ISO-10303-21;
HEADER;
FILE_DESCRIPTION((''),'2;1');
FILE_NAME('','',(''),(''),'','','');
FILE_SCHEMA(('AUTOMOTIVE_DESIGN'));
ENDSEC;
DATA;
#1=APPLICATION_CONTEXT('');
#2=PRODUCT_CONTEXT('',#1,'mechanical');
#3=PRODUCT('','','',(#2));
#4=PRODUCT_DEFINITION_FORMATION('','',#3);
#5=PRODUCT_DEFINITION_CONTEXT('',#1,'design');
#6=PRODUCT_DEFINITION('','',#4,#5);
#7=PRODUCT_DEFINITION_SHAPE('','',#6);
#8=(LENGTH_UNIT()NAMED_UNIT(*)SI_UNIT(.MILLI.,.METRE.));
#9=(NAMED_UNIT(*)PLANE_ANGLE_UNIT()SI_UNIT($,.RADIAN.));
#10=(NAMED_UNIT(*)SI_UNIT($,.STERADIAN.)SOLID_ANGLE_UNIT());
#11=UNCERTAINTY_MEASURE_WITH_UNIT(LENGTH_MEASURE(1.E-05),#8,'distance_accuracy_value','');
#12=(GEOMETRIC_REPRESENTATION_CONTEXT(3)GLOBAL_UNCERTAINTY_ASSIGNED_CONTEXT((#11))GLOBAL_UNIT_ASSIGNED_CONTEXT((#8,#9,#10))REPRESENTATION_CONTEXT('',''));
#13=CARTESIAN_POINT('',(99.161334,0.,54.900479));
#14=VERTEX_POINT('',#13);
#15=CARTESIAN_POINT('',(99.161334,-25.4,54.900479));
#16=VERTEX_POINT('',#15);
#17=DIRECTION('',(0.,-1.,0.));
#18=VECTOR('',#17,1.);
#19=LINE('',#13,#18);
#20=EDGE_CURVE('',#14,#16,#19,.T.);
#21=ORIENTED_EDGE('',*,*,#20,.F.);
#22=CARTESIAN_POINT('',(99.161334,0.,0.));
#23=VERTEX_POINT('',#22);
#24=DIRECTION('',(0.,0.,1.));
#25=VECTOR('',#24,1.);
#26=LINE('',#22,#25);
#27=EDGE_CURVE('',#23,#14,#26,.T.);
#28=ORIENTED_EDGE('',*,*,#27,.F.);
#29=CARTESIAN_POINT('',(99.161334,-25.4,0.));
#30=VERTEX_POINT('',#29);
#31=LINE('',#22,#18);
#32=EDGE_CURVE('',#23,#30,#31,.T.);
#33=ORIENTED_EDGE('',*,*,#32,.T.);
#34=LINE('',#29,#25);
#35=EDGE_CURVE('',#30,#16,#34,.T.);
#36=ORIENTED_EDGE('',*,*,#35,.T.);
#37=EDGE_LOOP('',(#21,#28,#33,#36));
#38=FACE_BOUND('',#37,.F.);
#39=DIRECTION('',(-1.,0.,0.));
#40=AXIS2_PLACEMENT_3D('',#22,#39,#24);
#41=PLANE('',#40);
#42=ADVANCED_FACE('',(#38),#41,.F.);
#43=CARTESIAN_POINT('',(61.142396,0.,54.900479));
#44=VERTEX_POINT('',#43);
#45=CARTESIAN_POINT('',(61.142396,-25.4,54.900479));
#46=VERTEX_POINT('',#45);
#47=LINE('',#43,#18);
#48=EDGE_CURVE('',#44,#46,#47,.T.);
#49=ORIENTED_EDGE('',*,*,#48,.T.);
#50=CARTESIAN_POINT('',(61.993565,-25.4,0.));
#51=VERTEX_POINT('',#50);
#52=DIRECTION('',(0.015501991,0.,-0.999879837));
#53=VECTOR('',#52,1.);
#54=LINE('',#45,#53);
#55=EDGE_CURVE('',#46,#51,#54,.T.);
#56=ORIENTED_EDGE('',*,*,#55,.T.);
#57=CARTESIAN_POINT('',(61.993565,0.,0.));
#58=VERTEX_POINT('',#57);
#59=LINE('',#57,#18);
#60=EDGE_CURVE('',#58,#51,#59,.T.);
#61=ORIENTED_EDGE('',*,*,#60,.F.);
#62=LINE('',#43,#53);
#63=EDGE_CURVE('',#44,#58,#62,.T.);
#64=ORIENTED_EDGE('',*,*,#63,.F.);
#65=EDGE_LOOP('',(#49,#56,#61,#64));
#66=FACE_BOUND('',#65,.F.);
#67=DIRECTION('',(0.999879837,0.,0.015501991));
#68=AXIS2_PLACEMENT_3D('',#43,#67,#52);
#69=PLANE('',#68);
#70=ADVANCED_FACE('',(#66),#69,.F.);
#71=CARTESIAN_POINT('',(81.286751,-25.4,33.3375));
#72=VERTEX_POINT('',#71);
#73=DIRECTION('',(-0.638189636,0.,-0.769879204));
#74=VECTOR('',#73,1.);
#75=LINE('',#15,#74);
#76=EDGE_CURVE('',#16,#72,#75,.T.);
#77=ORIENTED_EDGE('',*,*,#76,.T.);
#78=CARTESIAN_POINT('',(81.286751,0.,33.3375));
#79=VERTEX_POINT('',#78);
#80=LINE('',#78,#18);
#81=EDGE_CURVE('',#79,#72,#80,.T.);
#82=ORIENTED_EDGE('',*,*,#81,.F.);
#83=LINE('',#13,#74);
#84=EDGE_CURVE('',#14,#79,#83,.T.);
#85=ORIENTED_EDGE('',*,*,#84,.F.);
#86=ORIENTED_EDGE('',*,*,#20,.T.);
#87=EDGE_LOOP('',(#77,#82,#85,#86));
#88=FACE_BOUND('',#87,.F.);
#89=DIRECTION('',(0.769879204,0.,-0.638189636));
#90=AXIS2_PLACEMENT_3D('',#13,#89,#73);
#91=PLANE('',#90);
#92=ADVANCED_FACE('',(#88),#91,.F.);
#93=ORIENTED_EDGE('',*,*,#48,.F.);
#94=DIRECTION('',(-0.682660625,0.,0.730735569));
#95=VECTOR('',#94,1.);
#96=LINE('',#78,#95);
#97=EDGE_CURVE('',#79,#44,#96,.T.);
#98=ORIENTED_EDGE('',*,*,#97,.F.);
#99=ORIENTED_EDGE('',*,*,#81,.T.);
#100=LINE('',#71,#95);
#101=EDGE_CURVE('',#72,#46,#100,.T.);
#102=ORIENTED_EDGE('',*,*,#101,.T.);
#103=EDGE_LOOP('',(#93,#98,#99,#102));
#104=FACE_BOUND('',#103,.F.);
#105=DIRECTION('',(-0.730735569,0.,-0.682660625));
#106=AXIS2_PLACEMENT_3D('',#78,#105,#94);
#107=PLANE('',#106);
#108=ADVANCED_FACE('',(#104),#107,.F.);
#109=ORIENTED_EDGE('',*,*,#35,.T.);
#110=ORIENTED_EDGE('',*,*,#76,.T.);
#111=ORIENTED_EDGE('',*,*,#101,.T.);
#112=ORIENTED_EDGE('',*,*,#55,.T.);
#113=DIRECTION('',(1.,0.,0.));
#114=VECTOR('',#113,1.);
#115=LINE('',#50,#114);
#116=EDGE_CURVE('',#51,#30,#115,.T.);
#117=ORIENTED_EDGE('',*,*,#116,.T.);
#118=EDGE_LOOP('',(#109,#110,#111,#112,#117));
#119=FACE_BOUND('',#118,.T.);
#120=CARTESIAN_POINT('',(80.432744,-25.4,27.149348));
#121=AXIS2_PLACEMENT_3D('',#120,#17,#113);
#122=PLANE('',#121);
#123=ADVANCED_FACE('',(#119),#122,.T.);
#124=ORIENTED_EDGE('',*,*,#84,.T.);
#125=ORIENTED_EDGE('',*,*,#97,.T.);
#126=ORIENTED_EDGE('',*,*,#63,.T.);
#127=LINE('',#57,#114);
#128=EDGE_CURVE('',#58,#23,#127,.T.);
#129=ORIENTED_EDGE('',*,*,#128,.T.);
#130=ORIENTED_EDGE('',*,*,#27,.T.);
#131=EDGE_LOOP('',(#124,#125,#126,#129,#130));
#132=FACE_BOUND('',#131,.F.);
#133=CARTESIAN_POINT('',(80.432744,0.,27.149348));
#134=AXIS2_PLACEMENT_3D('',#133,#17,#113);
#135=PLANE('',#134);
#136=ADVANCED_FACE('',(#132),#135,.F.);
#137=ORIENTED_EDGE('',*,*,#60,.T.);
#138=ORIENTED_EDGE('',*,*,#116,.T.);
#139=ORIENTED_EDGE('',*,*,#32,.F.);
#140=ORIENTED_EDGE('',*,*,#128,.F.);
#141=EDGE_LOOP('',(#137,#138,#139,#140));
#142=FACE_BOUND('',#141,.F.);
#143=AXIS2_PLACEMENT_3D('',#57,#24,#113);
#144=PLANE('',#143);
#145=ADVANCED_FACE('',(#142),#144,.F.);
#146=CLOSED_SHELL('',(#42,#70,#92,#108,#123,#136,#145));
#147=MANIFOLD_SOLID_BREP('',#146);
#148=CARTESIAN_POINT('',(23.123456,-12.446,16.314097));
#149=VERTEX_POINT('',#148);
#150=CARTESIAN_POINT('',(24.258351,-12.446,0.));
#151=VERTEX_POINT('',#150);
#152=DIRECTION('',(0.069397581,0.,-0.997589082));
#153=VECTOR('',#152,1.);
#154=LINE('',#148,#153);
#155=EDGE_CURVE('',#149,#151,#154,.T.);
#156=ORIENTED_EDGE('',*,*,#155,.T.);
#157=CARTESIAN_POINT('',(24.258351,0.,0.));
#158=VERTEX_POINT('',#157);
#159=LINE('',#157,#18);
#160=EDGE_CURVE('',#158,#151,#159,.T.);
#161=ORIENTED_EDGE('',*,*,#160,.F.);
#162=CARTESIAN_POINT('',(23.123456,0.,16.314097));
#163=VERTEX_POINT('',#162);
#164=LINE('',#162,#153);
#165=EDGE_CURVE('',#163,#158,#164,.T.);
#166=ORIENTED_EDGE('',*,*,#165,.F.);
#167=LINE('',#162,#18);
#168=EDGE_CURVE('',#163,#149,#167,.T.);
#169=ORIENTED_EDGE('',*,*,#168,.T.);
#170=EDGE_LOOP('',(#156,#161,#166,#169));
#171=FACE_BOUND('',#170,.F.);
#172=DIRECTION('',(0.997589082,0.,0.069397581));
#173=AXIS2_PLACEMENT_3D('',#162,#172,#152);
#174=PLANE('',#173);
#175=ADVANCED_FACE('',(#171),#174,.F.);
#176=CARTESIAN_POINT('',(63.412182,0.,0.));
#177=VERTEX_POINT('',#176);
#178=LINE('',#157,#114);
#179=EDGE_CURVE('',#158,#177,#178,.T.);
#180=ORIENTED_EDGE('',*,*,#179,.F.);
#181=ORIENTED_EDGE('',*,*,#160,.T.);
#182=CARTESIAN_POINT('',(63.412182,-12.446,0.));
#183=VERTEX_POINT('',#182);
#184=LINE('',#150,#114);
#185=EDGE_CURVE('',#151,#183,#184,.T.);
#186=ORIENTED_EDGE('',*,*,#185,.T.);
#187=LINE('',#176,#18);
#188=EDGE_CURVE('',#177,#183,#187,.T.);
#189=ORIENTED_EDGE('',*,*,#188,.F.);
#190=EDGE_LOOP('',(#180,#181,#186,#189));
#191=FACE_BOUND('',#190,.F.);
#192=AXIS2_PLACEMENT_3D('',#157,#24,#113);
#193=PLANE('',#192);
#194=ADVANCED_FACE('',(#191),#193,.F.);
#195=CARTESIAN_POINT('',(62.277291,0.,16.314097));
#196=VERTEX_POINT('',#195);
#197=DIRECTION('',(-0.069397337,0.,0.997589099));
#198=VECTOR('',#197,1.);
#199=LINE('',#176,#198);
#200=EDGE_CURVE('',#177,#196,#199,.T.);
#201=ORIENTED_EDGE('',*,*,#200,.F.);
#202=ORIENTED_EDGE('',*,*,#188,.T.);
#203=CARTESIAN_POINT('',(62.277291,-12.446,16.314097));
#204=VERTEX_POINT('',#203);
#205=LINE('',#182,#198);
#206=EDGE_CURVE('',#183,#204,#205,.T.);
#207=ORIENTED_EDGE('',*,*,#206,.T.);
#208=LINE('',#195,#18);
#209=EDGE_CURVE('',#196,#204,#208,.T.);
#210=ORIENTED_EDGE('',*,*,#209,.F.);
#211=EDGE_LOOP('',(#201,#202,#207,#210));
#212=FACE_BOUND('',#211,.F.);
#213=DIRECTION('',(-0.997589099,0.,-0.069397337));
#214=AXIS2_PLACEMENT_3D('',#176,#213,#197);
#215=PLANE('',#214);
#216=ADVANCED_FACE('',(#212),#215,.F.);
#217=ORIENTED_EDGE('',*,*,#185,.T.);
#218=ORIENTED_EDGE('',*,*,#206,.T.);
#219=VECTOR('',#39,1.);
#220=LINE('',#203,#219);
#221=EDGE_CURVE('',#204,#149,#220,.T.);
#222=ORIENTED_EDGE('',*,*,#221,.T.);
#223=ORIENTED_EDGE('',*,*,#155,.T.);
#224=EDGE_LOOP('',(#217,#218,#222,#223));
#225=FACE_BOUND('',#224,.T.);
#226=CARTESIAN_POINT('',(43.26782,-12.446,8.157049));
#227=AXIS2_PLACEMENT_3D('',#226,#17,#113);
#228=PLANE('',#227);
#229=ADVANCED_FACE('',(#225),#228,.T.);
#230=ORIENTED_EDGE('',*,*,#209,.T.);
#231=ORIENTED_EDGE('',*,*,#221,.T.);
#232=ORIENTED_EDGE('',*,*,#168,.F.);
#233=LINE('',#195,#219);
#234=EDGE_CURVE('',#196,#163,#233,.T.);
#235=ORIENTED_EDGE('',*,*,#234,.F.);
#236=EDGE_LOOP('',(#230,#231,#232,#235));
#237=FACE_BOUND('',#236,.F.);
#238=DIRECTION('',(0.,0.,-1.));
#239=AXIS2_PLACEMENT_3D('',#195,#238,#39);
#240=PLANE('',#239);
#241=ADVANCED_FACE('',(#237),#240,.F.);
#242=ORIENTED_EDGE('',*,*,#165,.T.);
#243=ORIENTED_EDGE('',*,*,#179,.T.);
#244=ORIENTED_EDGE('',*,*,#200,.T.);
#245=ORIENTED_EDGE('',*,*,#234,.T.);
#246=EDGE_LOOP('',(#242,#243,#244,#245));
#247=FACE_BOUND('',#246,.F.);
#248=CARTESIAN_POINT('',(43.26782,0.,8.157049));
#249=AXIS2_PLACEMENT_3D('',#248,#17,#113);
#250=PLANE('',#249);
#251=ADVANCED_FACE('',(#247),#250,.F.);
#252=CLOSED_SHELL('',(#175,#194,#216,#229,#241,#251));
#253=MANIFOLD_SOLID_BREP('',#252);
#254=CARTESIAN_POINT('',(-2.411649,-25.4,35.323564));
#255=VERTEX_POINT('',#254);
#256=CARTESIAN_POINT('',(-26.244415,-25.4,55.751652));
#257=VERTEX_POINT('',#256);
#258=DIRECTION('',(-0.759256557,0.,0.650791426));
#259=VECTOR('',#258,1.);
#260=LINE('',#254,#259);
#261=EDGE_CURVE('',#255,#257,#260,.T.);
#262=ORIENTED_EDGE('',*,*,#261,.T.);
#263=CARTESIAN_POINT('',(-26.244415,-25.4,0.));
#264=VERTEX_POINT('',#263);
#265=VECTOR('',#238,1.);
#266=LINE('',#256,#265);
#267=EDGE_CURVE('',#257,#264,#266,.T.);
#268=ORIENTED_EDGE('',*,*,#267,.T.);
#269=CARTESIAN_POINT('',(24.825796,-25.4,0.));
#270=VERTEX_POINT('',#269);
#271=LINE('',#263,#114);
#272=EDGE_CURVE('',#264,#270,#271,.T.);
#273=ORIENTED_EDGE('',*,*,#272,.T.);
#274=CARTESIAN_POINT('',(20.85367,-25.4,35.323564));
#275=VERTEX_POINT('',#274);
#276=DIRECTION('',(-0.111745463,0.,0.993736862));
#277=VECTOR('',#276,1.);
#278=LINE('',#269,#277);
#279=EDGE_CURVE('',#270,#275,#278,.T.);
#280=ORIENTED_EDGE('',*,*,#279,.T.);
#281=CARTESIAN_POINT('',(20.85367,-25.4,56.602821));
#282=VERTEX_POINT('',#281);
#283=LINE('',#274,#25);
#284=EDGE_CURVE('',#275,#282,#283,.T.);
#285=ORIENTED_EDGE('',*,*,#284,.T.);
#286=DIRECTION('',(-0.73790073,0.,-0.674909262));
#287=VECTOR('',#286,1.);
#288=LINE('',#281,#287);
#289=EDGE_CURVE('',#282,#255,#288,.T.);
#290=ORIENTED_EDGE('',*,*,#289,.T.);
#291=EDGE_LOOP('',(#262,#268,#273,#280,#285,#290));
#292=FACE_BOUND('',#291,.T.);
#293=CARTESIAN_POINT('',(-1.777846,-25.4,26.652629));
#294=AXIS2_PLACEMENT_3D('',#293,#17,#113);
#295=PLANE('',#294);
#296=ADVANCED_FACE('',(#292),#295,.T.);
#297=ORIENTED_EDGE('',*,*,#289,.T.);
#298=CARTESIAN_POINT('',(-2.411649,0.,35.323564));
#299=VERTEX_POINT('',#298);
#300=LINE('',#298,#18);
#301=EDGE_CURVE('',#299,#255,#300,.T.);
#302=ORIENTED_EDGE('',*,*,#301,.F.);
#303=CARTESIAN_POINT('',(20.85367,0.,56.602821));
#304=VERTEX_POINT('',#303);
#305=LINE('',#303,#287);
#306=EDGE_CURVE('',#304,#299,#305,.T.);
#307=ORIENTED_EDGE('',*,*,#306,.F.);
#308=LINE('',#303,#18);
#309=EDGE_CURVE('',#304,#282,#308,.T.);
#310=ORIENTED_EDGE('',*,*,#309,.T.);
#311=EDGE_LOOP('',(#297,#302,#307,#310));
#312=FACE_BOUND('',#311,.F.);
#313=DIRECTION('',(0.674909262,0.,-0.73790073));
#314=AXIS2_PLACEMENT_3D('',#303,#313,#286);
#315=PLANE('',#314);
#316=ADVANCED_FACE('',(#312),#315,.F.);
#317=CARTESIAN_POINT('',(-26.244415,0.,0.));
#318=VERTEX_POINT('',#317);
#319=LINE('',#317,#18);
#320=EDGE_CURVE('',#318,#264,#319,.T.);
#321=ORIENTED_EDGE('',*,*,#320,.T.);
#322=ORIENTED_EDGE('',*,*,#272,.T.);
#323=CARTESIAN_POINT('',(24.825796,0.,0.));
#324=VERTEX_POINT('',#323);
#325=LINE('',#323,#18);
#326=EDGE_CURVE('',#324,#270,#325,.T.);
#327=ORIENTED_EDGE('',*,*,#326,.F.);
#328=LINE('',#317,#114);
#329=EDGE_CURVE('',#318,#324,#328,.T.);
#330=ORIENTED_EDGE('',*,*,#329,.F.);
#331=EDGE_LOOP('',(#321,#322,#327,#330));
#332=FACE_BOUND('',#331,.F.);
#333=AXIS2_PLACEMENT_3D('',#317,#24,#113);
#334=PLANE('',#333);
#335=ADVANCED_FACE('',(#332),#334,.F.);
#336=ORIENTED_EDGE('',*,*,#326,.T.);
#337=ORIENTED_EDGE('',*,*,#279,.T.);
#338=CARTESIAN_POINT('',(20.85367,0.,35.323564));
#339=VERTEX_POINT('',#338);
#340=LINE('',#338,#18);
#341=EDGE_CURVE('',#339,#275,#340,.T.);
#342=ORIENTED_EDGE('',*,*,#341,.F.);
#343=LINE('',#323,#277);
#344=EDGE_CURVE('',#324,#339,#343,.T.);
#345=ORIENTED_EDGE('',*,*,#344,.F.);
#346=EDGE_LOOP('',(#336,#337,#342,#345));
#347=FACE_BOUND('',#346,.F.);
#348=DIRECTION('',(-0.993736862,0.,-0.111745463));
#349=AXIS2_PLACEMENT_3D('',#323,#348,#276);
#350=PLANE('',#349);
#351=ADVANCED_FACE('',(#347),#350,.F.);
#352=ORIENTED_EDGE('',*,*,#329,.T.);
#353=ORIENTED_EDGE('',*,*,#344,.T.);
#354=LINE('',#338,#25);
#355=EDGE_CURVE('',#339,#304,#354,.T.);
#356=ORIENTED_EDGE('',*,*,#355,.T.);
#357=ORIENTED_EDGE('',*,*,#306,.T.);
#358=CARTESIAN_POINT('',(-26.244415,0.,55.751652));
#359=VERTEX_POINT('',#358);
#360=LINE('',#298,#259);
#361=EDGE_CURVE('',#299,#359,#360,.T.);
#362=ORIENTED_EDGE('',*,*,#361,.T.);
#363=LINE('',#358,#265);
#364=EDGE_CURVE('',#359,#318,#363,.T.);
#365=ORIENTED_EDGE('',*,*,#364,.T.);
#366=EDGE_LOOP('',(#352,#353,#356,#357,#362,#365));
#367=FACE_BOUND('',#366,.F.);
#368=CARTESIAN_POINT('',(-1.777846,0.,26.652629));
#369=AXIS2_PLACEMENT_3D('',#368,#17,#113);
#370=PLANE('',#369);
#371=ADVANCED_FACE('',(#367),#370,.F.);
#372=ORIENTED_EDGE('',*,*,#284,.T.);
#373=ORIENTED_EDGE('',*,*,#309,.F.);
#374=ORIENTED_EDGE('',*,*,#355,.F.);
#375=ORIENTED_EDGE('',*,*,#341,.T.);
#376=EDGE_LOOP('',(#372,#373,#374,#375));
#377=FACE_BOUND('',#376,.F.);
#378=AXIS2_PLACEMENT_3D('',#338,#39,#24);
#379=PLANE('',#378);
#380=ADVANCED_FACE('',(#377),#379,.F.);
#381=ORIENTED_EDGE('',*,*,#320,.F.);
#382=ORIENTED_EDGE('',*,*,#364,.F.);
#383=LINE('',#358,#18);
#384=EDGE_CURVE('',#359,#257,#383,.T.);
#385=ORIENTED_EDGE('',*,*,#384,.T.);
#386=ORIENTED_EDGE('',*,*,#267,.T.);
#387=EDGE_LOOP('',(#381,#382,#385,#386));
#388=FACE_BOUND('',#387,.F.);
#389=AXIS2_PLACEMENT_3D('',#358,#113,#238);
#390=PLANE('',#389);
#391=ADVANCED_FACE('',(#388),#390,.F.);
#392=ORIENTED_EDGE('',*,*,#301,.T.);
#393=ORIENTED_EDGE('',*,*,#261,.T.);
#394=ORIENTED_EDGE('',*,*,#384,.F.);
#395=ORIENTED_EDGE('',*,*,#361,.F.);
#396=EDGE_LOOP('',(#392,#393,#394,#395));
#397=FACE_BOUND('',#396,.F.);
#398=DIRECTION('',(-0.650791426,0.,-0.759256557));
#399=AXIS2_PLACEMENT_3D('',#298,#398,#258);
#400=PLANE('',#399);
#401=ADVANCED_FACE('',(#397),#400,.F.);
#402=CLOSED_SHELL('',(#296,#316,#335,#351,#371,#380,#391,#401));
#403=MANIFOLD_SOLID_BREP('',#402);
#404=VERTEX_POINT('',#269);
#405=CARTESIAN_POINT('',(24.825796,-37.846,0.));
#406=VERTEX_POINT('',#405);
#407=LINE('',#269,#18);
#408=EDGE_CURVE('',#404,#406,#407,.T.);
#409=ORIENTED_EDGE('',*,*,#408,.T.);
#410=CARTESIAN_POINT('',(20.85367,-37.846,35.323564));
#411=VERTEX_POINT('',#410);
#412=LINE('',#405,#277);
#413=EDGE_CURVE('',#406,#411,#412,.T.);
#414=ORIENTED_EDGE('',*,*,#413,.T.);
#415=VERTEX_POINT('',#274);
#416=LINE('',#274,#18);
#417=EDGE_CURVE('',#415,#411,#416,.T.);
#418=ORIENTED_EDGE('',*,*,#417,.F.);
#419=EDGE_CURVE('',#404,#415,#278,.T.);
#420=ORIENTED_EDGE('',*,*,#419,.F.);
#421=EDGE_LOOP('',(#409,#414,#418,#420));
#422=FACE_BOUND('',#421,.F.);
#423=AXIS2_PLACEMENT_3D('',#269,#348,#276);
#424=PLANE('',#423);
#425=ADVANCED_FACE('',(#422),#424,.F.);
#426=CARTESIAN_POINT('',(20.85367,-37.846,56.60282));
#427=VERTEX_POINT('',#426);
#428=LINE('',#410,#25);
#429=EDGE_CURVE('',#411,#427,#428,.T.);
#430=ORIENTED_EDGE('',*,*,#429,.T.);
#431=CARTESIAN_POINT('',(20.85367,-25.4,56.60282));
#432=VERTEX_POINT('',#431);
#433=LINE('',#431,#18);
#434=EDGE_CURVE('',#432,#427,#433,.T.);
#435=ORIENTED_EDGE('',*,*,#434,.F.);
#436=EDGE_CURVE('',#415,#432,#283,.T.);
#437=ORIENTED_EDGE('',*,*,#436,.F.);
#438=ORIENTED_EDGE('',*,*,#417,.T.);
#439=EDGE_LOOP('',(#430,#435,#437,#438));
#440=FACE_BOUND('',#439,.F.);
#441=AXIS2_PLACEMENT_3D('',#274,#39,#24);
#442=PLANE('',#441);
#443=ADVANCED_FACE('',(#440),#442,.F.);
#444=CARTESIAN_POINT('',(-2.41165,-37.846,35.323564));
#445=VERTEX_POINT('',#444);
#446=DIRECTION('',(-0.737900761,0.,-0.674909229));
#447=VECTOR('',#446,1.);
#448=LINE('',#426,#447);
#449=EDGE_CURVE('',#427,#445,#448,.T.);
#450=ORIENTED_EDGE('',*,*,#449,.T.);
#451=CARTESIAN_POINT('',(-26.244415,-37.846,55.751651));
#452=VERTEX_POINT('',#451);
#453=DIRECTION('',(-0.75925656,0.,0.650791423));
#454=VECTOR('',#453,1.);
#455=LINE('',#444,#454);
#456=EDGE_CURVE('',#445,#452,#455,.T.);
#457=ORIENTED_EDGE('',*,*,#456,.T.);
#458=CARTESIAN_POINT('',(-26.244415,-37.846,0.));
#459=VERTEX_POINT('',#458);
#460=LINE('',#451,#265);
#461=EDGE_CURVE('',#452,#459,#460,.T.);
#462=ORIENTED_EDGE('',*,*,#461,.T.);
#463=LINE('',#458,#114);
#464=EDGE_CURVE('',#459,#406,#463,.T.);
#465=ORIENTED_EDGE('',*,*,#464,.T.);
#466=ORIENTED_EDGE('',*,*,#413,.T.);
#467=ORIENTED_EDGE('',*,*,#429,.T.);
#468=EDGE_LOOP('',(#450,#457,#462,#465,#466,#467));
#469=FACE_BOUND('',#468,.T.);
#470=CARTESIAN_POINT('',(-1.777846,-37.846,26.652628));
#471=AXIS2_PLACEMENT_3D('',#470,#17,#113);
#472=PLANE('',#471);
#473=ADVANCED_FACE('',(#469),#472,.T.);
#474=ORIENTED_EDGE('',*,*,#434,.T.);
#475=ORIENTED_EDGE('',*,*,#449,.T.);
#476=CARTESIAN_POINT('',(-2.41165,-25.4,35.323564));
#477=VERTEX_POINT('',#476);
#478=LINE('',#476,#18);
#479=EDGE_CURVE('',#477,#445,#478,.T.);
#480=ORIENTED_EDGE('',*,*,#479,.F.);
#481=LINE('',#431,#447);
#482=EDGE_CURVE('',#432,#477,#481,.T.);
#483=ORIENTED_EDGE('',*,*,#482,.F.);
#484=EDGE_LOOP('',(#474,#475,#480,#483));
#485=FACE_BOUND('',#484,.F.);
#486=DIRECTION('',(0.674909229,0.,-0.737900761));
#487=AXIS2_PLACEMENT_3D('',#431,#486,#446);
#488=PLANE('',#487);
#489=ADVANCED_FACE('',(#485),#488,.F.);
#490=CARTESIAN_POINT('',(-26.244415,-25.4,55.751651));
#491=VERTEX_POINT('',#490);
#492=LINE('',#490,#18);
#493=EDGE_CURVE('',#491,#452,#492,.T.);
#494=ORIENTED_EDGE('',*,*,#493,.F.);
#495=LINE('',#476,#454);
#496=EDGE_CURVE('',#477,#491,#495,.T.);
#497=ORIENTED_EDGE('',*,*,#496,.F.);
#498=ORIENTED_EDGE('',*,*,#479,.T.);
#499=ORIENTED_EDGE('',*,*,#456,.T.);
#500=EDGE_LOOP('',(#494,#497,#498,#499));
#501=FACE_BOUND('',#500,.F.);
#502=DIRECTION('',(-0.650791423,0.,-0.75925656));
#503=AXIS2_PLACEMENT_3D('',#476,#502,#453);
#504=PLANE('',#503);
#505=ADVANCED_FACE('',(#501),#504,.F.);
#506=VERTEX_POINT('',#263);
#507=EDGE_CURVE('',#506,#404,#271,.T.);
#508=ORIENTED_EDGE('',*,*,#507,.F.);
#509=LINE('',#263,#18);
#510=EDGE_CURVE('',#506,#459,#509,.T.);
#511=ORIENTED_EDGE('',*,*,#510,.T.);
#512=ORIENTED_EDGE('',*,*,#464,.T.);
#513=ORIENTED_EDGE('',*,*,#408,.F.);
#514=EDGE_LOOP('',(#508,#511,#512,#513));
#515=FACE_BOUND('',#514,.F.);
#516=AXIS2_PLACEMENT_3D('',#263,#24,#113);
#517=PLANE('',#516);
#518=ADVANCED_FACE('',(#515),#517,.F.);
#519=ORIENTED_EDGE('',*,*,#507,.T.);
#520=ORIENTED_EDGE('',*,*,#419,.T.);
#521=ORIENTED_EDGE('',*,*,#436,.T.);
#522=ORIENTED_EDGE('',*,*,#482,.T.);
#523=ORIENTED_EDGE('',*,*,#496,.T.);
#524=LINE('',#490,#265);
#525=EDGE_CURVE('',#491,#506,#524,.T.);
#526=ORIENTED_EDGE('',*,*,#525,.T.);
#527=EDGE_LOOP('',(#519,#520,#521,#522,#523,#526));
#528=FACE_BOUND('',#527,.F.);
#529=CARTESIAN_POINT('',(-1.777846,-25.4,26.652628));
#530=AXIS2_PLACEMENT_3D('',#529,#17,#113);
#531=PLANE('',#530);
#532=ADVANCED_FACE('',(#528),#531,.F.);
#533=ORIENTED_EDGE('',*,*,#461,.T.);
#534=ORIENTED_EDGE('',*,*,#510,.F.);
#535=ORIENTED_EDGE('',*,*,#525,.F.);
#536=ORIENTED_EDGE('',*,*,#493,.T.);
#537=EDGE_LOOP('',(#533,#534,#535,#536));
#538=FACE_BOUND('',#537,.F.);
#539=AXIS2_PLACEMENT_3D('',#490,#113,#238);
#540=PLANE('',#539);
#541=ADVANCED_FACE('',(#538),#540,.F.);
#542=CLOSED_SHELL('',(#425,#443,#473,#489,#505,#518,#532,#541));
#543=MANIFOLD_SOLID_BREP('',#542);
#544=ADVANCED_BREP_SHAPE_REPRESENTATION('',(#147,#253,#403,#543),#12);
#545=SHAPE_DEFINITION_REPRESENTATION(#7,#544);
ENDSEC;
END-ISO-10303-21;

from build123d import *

# Parameters (mm, degrees)
F2_DEPTH = 25.4
F4_DEPTH = 12.446


with BuildPart() as f2:
    # F1 (on face) + F0 (on Front) → F2 (new body)
    with BuildSketch(Plane.XZ):
        Polygon((61.142396, 54.900479), (61.993565, 0), (99.161334, 0), (99.161334, 54.900479), (81.286751, 33.3375), align=None)
    with BuildSketch(Plane.XZ):
        Polygon((-2.411649, 35.323564), (-26.244415, 55.751652), (-26.244415, 0), (24.825796, 0), (20.85367, 35.323564), (20.85367, 56.602821), align=None)
    extrude(amount=F2_DEPTH)


with BuildPart() as f4:
    # F3 (on Front) + F2_face (on face) → F4 (new body)
    with BuildSketch(Plane.XZ):
        Polygon((23.123456, 16.314097), (24.258351, 0), (63.412182, 0), (62.277291, 16.314097), align=None)
    with BuildSketch(Plane(origin=(-1.861203, -25.4, 22.907959), x_dir=(1, 0, 0), z_dir=(0, -1, 0))):
        Polygon((-0.550447, 12.415605), (-24.383212, 32.843692), (-24.383212, -22.907959), (26.686999, -22.907959), (22.714873, 12.415605), (22.714873, 33.694861), align=None)
    extrude(amount=F4_DEPTH)


solid = Compound([f2.part, f4.part])
